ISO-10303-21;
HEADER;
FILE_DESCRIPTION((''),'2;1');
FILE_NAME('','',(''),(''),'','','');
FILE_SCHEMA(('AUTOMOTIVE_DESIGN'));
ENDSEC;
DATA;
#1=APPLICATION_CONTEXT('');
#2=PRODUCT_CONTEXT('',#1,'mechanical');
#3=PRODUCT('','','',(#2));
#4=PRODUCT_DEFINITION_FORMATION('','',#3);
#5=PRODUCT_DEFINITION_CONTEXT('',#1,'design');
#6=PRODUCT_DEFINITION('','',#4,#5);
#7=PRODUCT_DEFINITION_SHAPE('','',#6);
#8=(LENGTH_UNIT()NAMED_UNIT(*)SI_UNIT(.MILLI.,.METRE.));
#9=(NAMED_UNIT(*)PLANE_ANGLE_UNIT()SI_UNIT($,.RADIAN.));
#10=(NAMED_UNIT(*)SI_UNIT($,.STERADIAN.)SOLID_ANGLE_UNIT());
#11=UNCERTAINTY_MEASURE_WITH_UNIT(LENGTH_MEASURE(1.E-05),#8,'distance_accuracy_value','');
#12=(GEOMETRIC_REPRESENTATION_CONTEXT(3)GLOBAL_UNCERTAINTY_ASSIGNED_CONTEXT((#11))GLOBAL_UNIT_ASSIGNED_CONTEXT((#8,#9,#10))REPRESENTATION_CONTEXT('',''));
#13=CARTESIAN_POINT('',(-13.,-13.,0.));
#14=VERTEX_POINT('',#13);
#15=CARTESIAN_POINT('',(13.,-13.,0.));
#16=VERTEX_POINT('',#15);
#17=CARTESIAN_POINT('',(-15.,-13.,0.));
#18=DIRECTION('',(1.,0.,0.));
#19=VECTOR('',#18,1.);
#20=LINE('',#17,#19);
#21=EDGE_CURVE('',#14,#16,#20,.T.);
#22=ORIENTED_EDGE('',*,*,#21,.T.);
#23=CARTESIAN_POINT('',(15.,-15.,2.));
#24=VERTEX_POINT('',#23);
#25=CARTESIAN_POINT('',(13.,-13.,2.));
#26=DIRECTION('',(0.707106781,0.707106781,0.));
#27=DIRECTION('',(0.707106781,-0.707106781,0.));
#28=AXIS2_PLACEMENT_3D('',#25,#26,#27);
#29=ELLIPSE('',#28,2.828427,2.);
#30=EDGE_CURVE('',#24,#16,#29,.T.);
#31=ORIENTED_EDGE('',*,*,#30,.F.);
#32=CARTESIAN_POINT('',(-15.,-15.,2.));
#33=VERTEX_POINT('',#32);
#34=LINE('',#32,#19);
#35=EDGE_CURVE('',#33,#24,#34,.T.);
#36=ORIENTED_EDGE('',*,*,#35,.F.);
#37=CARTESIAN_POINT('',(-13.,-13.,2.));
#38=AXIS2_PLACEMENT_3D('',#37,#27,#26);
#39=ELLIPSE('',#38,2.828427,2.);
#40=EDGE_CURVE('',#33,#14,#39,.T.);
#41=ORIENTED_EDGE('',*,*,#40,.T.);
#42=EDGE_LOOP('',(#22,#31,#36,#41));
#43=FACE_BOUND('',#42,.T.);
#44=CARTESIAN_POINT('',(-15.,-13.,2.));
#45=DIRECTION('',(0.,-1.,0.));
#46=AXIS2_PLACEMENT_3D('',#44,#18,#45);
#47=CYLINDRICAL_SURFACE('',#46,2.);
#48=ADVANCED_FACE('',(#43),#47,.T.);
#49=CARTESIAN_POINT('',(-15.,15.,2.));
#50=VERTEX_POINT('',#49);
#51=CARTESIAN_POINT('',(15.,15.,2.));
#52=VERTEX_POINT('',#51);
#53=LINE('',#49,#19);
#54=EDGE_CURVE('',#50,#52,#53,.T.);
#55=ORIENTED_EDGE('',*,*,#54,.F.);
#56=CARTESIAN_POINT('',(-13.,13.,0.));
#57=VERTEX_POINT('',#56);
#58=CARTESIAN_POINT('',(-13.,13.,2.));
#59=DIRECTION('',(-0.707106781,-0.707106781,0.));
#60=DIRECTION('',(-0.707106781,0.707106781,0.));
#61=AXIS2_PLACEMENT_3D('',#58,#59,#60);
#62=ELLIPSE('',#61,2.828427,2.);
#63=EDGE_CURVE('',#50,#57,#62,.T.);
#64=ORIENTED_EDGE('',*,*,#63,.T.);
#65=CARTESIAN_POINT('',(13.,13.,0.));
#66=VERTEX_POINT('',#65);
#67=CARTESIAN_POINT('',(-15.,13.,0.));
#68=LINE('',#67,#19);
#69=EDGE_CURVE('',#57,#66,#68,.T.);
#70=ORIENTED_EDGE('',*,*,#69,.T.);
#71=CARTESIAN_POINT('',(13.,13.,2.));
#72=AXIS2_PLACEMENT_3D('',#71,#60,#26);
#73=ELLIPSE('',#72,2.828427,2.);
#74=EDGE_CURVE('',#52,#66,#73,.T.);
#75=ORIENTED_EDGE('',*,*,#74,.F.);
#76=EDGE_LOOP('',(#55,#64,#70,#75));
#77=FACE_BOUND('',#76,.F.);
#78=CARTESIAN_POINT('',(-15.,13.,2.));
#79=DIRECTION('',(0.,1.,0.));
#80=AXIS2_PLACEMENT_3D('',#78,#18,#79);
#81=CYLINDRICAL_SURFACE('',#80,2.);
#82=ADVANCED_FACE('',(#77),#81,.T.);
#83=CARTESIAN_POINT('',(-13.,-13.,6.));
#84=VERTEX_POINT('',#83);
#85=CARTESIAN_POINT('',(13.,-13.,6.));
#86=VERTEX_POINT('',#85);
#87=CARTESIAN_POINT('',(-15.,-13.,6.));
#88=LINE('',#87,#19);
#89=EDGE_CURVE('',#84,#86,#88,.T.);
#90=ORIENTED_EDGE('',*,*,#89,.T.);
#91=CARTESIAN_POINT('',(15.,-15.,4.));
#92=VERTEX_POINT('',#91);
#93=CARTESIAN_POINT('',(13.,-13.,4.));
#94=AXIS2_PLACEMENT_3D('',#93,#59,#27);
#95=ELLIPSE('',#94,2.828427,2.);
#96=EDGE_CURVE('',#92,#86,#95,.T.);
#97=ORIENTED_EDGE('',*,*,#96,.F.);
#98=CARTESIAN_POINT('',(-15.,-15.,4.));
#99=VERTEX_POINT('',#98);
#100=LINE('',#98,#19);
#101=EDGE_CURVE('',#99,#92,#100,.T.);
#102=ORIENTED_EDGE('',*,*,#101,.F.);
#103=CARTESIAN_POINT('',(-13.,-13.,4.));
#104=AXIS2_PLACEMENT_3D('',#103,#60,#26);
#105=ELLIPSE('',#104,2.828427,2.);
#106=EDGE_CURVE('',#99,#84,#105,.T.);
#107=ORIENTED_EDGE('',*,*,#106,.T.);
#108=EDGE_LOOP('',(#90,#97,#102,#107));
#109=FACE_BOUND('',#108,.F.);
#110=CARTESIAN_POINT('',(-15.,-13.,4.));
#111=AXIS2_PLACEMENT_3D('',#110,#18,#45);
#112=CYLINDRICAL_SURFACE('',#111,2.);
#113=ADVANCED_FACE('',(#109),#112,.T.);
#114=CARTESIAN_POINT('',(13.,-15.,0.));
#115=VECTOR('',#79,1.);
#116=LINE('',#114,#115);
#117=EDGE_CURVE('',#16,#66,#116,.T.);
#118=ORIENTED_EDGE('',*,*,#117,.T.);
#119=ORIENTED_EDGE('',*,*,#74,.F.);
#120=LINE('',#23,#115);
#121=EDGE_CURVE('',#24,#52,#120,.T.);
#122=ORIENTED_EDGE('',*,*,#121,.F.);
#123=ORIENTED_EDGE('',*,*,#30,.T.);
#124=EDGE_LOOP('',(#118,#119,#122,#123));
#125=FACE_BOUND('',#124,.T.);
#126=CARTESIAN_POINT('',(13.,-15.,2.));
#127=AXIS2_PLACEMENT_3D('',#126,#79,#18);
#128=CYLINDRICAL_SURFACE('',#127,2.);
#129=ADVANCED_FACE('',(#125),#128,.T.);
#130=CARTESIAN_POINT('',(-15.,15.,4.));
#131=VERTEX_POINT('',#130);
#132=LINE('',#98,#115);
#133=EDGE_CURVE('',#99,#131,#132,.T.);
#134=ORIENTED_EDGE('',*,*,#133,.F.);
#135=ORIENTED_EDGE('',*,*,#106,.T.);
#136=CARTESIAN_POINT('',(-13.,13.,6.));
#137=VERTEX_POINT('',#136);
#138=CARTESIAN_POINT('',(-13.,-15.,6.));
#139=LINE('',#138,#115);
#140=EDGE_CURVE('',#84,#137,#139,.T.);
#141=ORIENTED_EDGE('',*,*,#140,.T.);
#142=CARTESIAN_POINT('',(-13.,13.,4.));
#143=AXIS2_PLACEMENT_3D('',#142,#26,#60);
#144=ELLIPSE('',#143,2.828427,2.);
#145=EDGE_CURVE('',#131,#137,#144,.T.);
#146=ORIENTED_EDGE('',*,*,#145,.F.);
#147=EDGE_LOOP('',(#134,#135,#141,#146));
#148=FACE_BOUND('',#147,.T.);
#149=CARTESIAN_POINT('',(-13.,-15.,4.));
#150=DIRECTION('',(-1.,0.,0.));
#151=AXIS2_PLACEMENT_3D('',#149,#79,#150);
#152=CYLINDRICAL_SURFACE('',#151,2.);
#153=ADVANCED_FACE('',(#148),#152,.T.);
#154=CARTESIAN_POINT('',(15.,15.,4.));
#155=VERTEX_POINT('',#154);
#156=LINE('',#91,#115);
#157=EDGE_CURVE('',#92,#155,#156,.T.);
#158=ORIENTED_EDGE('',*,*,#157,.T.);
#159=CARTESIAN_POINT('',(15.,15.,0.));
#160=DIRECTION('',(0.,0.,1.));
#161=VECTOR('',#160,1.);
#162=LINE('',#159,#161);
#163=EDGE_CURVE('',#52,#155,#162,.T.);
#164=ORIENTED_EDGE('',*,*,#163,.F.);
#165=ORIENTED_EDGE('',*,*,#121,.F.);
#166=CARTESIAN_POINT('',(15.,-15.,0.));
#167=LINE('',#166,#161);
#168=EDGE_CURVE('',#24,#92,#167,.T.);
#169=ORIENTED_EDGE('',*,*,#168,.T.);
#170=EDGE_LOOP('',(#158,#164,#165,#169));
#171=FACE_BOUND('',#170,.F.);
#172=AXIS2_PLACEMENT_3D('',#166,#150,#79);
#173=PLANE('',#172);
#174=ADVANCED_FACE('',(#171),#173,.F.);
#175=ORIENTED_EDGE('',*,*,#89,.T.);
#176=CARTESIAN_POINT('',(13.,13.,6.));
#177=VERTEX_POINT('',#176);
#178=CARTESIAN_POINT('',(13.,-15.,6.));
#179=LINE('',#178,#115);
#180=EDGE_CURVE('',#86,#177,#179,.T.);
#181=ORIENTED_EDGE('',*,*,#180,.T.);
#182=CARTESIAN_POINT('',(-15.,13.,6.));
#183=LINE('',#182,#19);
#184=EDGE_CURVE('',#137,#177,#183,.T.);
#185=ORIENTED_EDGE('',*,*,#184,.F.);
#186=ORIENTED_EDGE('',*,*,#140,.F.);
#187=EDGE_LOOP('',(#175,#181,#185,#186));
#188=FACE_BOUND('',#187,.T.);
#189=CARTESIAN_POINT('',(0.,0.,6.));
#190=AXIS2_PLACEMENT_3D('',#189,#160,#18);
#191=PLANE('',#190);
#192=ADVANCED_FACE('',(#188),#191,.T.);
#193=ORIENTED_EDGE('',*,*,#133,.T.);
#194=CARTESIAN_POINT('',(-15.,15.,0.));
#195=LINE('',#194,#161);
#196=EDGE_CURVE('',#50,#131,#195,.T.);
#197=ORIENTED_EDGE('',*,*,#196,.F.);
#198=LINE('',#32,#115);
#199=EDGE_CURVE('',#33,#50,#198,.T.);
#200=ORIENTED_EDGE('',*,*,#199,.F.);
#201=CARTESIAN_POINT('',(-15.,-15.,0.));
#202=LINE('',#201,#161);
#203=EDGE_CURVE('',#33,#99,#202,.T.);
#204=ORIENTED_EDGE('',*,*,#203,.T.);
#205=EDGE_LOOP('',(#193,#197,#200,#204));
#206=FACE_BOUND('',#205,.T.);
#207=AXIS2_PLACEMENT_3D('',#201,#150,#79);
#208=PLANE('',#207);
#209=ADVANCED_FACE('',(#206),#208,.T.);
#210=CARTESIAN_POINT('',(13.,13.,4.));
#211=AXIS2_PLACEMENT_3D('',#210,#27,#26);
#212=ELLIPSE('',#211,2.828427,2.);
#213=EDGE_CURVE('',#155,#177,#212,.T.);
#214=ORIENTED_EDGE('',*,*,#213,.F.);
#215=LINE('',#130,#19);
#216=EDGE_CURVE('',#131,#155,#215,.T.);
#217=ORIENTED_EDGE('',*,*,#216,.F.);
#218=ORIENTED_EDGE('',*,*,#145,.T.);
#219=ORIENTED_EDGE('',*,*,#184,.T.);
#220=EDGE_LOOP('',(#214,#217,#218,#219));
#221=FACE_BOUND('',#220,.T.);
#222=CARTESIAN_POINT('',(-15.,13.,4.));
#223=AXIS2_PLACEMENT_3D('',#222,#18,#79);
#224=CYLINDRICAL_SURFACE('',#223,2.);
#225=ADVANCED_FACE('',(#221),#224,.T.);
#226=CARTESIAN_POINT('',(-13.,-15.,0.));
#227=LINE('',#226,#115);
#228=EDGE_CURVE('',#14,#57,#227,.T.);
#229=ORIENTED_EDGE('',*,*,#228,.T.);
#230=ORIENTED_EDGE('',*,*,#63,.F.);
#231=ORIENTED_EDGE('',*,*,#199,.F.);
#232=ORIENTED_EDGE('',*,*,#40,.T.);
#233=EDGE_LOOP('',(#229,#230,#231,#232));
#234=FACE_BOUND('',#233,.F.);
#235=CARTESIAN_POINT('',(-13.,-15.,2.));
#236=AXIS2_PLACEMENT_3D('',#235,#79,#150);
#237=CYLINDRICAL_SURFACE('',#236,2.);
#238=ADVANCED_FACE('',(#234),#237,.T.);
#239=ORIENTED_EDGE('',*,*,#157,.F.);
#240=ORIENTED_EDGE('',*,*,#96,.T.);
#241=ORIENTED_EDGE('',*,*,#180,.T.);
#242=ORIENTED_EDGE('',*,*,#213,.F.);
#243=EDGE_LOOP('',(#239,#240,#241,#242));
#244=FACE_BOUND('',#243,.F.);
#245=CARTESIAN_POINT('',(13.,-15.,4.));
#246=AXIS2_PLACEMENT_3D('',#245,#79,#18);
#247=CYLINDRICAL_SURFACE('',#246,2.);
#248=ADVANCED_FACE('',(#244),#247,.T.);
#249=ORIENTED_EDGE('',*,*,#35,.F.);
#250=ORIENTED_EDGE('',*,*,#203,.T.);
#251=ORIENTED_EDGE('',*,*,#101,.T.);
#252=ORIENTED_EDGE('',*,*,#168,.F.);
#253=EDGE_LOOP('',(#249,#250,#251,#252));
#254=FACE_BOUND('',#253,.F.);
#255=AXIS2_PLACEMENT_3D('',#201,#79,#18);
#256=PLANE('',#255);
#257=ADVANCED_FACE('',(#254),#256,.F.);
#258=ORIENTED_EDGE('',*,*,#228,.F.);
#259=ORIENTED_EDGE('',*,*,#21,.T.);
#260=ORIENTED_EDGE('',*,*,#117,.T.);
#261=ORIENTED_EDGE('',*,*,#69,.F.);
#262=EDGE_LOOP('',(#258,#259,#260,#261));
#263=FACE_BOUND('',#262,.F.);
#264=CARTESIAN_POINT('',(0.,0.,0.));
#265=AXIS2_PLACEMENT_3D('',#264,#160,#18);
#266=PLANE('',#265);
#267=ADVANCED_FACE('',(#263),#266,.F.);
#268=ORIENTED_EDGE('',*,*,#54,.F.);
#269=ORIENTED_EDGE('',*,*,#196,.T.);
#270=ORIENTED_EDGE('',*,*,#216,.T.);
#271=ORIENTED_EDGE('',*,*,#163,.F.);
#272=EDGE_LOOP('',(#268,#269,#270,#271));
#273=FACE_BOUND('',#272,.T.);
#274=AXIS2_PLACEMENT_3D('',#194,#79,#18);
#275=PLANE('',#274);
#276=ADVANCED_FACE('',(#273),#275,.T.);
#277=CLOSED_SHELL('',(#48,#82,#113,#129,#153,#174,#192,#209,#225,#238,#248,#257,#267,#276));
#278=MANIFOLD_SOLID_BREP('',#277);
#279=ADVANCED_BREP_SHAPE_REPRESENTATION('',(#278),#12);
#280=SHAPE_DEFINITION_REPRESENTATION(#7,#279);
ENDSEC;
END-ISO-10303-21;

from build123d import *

# Parameters (mm, degrees)
SKETCH_W  = 30
SKETCH_H  = 30
PAD_DEPTH = 6
FILLET_R  = 2


with BuildPart() as part:
    # Sketch → Pad (new body)
    with BuildSketch(Plane.XY):
        Rectangle(SKETCH_W, SKETCH_H)
    extrude(amount=PAD_DEPTH)

    # Fillet
    fillet_edges = [part.edges().sort_by_distance(p)[0] for p in [
        (0, -15, 6),
        (-15, 0, 6),
        (0, 15, 6),
        (15, 0, 6),
        (-15, 0, 0),
        (0, -15, 0),
        (0, 15, 0),
        (15, 0, 0),
    ]]
    fillet(fillet_edges, radius=FILLET_R)


solid = part.part
